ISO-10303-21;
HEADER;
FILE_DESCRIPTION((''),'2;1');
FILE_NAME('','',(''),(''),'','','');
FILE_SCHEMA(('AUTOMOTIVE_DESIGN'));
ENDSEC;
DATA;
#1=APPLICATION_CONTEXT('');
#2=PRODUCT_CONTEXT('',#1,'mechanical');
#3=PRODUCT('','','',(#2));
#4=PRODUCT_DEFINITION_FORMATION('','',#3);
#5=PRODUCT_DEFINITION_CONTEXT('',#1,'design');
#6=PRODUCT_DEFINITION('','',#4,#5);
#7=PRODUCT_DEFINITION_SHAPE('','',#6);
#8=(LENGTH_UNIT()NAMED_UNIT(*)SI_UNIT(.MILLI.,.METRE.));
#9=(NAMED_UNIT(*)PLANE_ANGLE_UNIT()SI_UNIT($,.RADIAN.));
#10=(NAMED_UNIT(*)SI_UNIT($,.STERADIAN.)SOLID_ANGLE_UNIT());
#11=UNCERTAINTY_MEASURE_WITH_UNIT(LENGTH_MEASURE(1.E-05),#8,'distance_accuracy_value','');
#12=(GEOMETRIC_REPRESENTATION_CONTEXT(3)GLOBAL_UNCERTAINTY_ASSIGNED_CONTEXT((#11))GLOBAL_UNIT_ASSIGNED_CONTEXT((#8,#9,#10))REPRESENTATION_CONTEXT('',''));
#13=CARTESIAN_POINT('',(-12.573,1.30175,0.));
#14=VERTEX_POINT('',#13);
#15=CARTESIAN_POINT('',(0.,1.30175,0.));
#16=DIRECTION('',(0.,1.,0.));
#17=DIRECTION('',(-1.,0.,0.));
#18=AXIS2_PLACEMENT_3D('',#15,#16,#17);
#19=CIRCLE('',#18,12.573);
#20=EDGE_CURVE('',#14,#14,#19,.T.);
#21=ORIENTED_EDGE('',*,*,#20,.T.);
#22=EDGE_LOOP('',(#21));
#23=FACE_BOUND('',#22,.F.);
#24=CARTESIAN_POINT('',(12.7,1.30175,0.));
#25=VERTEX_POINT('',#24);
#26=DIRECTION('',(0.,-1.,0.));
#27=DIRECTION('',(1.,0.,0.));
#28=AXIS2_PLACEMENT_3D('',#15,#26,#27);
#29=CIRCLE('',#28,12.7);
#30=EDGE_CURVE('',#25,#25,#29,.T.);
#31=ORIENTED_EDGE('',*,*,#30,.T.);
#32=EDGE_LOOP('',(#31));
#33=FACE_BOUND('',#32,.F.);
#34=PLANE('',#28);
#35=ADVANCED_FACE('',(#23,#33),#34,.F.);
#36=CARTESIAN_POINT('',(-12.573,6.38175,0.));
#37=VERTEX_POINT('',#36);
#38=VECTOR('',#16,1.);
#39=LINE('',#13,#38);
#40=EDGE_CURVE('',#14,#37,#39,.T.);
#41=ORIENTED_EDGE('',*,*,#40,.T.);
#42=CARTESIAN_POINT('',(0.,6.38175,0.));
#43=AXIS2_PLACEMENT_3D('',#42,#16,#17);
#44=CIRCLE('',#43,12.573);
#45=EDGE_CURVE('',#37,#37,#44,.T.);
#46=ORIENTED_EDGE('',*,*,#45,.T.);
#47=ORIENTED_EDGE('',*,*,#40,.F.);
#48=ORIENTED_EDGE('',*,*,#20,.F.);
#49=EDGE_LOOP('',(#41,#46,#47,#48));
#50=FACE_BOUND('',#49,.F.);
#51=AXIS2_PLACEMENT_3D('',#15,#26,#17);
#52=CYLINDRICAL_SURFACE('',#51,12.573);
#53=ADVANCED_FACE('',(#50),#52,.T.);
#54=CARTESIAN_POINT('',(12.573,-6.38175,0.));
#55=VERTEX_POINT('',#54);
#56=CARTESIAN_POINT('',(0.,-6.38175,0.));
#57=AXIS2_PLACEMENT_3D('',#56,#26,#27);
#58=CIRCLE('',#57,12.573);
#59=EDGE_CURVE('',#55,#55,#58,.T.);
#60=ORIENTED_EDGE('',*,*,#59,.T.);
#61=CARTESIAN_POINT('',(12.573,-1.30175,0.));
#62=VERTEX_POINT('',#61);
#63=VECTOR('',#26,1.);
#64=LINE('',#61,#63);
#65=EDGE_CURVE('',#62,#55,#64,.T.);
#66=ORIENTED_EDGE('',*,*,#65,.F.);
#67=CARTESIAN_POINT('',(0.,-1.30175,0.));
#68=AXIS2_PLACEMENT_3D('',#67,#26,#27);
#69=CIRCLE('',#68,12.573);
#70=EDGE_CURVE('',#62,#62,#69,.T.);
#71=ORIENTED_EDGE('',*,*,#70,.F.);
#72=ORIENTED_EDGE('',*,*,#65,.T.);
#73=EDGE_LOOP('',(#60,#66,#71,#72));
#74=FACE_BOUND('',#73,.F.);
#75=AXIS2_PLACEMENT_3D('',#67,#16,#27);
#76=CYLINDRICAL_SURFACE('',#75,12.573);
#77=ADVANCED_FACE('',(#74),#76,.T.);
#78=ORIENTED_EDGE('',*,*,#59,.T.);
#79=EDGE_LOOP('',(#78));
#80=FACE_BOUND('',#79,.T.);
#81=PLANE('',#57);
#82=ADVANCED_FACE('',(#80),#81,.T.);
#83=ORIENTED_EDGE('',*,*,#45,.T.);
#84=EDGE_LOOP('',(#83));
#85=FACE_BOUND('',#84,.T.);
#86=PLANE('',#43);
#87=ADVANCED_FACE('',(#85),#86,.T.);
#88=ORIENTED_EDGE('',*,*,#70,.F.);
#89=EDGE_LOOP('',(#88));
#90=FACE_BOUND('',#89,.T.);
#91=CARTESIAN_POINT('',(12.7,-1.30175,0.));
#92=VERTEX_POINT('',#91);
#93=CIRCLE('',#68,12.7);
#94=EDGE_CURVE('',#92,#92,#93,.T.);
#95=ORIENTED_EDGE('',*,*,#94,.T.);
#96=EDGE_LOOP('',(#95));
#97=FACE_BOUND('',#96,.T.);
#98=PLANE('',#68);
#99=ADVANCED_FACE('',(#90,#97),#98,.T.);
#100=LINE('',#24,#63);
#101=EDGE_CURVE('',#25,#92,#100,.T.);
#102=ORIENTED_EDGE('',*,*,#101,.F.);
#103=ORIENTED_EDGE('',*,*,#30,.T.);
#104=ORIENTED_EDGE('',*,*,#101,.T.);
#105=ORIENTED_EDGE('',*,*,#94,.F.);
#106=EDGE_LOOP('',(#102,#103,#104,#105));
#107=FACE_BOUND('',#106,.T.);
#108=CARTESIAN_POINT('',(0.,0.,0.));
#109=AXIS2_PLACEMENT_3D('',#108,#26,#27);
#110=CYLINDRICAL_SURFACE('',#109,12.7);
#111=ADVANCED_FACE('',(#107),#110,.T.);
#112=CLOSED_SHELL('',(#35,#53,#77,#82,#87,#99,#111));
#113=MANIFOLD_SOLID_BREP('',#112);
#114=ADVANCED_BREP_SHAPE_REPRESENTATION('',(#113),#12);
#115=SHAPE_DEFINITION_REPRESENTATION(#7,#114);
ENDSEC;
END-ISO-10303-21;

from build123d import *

# Parameters (mm, degrees)
F0_R          = 12.7
F1_DEPTH      = 1.30175
F1_DEPTH_BACK = 1.30175
F2_R          = 12.573
F3_DEPTH      = 5.08
F4_R          = 12.573
F5_DEPTH      = 5.08


with BuildPart() as f1:
    # F0 (on Front) → F1 (new body, two sides)
    with BuildSketch(Plane.XZ) as f1_sk:
        Circle(F0_R)
    extrude(amount=F1_DEPTH)
    extrude(f1_sk.sketch, amount=-F1_DEPTH_BACK)

    # F2 (on face) → F3 (join)
    with BuildSketch(Plane.XZ.offset(1.30175)):
        Circle(F2_R)
    extrude(amount=F3_DEPTH)

    # F4 (on face) → F5 (join)
    with BuildSketch(Plane(origin=(0, 1.30175, 0), x_dir=(-1, 0, 0), z_dir=(0, 1, 0))):
        Circle(F4_R)
    extrude(amount=F5_DEPTH)


solid = f1.part
